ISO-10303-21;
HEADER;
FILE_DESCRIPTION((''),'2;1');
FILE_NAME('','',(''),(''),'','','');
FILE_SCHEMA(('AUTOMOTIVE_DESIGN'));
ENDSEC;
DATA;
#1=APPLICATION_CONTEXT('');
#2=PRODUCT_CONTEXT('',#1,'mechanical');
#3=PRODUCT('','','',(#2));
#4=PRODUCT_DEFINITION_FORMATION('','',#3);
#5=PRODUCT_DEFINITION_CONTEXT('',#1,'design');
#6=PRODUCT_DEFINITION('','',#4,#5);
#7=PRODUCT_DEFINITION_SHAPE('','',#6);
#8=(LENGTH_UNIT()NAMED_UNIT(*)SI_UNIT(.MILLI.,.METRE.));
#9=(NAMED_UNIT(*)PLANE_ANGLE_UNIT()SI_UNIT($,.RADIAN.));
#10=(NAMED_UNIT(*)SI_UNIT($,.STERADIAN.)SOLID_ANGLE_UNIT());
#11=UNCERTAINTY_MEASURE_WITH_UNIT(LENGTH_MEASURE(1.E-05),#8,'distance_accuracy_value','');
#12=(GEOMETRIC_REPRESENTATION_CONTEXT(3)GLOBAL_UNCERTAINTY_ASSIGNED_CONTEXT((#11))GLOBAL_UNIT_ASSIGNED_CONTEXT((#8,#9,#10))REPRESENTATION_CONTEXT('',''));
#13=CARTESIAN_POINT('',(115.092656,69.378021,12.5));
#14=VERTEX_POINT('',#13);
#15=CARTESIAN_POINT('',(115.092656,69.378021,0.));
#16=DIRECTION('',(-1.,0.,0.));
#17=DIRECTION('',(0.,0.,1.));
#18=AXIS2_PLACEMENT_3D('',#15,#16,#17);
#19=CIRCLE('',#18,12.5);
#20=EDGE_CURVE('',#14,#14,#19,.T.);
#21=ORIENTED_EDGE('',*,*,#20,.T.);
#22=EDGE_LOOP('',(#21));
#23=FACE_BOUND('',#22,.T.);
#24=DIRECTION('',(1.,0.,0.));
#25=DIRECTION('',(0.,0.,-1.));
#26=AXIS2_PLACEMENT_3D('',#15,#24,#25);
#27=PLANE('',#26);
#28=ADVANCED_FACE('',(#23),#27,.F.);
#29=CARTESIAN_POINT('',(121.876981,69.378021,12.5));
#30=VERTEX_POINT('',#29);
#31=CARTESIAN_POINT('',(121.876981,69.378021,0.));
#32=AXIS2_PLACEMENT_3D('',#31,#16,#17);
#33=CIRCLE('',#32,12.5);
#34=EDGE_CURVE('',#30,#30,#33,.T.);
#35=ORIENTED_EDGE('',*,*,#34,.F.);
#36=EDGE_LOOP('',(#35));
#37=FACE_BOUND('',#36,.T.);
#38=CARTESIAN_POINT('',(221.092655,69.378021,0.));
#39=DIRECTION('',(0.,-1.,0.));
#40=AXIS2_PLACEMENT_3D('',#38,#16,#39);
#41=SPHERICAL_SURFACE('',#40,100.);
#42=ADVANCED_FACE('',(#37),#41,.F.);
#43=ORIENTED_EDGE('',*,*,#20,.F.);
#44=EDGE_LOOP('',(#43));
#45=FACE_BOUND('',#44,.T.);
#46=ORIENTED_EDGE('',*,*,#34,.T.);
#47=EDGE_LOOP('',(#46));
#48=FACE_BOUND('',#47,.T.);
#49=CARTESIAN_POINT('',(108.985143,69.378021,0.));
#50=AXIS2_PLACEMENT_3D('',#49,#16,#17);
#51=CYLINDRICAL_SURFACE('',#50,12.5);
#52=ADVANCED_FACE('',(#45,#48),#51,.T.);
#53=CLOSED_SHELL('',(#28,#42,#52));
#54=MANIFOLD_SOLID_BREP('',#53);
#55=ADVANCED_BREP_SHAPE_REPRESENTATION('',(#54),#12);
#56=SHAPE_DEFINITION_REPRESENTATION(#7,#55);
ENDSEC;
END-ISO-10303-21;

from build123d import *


with BuildPart() as part:
    # 草图1 → 旋转1 (revolve)
    with BuildSketch(Plane.XY, mode=Mode.PRIVATE) as revolve_1_sk:
        with BuildLine():
            Line((115.092655535, 69.378021123), (115.092655535, 81.878021123))
            Line((115.092655535, 81.878021123), (121.876981065, 81.878021123))
            ThreePointArc((121.876981065, 81.878021123), (121.288929306, 75.640312378), (121.092655229, 69.378021123))
            Line((121.092655229, 69.378021123), (115.092655535, 69.378021123))
        make_face()
    revolve(revolve_1_sk.sketch.rotate(Axis((108.985143002, 69.378021123, 0), (1, 0, 0)), 180), axis=Axis((108.985143002, 69.378021123, 0), (1, 0, 0)))  # turned: the seam where the file's is


solid = part.part
